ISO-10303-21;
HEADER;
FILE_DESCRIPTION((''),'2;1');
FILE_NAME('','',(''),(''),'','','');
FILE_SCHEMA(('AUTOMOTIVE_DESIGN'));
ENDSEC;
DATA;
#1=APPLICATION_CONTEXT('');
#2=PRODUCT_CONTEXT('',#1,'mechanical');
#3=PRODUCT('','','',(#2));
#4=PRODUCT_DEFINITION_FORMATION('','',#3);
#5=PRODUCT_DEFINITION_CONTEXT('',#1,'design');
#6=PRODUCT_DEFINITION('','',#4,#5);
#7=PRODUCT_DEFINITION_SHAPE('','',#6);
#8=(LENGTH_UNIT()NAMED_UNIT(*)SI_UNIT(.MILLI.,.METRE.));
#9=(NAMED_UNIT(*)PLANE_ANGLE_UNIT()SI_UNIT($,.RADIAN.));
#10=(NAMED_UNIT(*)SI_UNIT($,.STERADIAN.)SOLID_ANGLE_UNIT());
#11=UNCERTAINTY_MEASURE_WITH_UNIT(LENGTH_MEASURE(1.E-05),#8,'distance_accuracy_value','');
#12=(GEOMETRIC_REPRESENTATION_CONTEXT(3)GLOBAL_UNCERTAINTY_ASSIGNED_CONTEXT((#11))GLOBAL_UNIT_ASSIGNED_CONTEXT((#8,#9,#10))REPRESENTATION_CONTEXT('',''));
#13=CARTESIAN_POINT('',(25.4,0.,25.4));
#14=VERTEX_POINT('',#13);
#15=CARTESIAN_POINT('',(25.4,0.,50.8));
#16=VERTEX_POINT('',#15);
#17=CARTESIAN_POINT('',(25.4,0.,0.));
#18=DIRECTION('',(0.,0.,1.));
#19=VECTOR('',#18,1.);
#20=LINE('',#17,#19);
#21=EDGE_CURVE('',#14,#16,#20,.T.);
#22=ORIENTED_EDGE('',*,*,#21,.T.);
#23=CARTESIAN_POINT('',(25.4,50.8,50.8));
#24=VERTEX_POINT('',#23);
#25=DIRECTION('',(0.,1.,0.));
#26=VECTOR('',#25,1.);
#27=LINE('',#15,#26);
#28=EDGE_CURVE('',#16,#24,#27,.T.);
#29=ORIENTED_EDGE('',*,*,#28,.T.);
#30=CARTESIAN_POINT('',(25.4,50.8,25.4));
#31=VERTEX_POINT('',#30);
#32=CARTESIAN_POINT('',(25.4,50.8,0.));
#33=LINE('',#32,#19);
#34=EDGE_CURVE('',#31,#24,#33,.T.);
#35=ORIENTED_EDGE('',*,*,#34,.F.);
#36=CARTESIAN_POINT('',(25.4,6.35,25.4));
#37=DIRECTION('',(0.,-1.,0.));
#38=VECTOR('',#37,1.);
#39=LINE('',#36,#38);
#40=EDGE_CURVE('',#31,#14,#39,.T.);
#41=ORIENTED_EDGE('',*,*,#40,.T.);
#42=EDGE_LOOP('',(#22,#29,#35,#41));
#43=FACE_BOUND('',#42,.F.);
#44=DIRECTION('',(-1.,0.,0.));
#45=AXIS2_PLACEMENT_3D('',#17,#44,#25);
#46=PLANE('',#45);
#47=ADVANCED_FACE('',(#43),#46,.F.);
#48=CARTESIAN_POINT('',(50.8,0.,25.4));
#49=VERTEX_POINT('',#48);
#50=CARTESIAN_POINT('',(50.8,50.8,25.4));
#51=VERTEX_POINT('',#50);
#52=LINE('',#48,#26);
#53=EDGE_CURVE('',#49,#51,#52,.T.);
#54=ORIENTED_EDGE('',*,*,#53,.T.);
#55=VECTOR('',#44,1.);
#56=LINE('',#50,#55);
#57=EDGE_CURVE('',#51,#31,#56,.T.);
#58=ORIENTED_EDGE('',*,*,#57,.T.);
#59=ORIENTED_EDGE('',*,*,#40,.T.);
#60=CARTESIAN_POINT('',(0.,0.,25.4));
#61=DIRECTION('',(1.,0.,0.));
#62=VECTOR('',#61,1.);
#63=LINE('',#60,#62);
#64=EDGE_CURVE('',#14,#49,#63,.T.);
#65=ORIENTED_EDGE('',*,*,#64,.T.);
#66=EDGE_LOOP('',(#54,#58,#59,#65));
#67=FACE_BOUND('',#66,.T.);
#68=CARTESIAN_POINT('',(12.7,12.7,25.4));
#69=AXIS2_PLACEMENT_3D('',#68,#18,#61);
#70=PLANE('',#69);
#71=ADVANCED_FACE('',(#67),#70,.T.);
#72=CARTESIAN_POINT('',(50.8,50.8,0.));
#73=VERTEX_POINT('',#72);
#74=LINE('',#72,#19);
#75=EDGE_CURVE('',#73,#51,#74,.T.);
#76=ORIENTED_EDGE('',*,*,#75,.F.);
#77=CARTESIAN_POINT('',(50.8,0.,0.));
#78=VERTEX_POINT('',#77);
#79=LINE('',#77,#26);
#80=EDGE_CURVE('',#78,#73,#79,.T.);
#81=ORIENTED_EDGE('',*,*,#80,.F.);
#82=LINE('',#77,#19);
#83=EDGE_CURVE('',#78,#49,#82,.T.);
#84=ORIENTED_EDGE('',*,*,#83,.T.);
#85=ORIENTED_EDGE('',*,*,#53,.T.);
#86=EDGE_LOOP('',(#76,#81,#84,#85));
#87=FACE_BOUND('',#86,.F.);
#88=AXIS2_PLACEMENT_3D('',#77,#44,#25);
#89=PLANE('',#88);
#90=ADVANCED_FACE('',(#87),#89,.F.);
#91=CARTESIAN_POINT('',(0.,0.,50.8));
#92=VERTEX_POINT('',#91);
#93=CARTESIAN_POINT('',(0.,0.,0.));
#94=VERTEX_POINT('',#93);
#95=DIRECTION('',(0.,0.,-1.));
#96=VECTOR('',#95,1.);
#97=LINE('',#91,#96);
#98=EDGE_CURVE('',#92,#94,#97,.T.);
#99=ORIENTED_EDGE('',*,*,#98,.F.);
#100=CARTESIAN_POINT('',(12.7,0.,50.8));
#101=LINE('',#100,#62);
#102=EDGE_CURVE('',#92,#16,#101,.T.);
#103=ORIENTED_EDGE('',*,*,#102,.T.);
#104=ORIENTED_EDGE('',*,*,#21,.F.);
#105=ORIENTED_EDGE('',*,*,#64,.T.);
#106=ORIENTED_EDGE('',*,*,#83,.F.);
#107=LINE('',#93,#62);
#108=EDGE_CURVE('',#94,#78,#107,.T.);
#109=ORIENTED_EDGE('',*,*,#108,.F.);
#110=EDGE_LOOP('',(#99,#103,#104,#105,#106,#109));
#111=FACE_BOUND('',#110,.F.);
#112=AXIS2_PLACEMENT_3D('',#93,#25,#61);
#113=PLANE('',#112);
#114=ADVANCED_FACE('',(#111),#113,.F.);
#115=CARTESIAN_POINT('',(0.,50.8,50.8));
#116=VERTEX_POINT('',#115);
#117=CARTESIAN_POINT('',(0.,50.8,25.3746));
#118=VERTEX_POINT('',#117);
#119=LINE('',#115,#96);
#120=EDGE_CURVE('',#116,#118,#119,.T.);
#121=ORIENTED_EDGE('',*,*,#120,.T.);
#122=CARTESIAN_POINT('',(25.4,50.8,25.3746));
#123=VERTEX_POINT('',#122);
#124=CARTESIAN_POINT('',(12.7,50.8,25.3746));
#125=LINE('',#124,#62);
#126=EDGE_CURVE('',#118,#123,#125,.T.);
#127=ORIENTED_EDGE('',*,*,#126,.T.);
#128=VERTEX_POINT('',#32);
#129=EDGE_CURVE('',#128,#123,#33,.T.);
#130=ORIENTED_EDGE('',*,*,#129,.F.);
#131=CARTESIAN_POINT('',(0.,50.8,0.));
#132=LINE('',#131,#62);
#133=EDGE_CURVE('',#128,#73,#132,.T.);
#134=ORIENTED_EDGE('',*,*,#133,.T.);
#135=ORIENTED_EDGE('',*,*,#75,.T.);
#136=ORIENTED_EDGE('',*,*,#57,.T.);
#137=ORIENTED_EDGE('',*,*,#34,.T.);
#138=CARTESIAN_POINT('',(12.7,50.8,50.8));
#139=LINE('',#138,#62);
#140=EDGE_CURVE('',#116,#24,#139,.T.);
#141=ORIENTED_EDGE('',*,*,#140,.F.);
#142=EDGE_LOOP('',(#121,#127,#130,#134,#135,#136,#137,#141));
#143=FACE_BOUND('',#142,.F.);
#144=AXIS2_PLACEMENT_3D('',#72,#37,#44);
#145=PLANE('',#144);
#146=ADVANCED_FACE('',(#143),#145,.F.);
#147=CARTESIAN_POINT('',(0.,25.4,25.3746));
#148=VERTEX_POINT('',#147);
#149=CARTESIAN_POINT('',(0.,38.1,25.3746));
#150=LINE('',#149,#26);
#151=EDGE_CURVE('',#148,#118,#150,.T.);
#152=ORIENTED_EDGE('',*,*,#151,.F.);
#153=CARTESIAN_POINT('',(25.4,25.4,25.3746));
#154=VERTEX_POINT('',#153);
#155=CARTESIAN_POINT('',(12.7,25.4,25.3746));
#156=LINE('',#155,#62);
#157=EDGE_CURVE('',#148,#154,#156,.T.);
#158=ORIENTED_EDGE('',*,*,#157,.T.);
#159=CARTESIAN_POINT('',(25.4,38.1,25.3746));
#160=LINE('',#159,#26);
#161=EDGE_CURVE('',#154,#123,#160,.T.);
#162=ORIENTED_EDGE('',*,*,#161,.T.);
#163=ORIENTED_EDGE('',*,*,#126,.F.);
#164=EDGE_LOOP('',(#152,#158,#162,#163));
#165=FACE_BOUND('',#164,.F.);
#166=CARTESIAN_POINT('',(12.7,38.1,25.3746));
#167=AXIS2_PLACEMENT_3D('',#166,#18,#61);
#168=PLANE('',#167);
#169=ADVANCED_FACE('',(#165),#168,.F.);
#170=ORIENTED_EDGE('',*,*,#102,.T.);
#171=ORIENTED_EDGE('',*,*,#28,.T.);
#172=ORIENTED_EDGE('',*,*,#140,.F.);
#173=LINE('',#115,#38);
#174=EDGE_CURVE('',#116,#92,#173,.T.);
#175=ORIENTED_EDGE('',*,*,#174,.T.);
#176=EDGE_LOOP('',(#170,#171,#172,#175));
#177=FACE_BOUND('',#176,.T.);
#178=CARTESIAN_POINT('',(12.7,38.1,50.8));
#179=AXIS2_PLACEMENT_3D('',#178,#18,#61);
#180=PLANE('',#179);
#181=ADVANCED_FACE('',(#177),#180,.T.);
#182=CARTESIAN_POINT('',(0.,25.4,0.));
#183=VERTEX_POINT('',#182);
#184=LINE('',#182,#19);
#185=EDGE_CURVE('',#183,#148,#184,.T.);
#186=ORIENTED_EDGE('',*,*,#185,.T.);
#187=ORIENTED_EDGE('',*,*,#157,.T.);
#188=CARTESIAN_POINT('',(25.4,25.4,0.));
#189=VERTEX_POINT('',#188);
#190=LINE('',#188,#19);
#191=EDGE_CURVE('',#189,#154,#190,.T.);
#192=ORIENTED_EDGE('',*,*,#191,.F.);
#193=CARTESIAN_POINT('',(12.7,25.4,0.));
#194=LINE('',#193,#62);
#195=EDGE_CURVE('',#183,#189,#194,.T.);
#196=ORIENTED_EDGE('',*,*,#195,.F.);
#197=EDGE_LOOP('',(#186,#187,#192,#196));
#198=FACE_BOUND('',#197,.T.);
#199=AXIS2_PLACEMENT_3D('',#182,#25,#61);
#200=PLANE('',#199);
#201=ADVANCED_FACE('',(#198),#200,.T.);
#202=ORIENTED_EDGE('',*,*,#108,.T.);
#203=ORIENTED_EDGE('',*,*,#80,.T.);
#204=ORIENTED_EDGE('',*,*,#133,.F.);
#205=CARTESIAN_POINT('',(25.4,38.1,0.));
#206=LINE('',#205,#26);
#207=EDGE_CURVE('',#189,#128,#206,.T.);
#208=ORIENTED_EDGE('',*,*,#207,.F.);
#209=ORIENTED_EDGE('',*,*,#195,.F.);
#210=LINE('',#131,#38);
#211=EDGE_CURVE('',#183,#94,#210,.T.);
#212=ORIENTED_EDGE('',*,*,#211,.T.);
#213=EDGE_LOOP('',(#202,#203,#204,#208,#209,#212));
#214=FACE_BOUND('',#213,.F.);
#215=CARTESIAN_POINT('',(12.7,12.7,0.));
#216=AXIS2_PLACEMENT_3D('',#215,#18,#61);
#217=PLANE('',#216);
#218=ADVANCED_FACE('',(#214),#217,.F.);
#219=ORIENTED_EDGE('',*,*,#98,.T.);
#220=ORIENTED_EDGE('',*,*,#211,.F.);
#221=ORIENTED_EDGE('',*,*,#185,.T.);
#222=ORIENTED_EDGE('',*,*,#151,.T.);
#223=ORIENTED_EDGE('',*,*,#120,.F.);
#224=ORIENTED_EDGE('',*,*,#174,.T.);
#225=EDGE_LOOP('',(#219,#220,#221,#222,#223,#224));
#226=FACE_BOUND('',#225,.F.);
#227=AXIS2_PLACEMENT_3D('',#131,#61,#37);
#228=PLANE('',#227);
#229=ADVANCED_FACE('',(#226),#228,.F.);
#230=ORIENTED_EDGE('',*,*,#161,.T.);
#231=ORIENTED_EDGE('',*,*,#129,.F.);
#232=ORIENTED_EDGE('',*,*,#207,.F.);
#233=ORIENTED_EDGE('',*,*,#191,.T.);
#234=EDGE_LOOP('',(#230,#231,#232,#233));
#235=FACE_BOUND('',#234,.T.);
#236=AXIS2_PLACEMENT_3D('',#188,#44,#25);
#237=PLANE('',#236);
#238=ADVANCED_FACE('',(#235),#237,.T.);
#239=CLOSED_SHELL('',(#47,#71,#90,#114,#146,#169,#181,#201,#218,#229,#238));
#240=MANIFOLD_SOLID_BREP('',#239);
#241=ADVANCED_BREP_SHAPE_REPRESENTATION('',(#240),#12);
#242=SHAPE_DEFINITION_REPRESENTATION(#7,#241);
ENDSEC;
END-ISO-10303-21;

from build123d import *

# Parameters (mm, degrees)
F0_W     = 25.4
F0_H     = 25.4
F1_DEPTH = 25.4
F2_DEPTH = 50.8
F3_DEPTH = 25.3746


with BuildPart() as f1:
    # F0 (on Top) → F1 (new body)
    with BuildSketch(Plane.XY):
        with Locations((12.7, 12.7)):
            Rectangle(F0_W, F0_H)
        Polygon((25.4, 25.4), (25.4, 0), (50.8, 0), (50.8, 50.8), (25.4, 50.8), align=None)
        with Locations((12.7, 38.1)):
            Rectangle(F0_W, F0_H)
    extrude(amount=F1_DEPTH)

    # F0 (on Top) → F2 (join)
    with BuildSketch(Plane.XY):
        with Locations((12.7, 38.1)):
            Rectangle(F0_W, F0_H)
        with Locations((12.7, 12.7)):
            Rectangle(F0_W, F0_H)
    extrude(amount=F2_DEPTH)

    # F0 (on Top) → F3 (cut)
    with BuildSketch(Plane.XY):
        with Locations((12.7, 38.1)):
            Rectangle(F0_W, F0_H)
    extrude(amount=F3_DEPTH, mode=Mode.SUBTRACT)


solid = f1.part
